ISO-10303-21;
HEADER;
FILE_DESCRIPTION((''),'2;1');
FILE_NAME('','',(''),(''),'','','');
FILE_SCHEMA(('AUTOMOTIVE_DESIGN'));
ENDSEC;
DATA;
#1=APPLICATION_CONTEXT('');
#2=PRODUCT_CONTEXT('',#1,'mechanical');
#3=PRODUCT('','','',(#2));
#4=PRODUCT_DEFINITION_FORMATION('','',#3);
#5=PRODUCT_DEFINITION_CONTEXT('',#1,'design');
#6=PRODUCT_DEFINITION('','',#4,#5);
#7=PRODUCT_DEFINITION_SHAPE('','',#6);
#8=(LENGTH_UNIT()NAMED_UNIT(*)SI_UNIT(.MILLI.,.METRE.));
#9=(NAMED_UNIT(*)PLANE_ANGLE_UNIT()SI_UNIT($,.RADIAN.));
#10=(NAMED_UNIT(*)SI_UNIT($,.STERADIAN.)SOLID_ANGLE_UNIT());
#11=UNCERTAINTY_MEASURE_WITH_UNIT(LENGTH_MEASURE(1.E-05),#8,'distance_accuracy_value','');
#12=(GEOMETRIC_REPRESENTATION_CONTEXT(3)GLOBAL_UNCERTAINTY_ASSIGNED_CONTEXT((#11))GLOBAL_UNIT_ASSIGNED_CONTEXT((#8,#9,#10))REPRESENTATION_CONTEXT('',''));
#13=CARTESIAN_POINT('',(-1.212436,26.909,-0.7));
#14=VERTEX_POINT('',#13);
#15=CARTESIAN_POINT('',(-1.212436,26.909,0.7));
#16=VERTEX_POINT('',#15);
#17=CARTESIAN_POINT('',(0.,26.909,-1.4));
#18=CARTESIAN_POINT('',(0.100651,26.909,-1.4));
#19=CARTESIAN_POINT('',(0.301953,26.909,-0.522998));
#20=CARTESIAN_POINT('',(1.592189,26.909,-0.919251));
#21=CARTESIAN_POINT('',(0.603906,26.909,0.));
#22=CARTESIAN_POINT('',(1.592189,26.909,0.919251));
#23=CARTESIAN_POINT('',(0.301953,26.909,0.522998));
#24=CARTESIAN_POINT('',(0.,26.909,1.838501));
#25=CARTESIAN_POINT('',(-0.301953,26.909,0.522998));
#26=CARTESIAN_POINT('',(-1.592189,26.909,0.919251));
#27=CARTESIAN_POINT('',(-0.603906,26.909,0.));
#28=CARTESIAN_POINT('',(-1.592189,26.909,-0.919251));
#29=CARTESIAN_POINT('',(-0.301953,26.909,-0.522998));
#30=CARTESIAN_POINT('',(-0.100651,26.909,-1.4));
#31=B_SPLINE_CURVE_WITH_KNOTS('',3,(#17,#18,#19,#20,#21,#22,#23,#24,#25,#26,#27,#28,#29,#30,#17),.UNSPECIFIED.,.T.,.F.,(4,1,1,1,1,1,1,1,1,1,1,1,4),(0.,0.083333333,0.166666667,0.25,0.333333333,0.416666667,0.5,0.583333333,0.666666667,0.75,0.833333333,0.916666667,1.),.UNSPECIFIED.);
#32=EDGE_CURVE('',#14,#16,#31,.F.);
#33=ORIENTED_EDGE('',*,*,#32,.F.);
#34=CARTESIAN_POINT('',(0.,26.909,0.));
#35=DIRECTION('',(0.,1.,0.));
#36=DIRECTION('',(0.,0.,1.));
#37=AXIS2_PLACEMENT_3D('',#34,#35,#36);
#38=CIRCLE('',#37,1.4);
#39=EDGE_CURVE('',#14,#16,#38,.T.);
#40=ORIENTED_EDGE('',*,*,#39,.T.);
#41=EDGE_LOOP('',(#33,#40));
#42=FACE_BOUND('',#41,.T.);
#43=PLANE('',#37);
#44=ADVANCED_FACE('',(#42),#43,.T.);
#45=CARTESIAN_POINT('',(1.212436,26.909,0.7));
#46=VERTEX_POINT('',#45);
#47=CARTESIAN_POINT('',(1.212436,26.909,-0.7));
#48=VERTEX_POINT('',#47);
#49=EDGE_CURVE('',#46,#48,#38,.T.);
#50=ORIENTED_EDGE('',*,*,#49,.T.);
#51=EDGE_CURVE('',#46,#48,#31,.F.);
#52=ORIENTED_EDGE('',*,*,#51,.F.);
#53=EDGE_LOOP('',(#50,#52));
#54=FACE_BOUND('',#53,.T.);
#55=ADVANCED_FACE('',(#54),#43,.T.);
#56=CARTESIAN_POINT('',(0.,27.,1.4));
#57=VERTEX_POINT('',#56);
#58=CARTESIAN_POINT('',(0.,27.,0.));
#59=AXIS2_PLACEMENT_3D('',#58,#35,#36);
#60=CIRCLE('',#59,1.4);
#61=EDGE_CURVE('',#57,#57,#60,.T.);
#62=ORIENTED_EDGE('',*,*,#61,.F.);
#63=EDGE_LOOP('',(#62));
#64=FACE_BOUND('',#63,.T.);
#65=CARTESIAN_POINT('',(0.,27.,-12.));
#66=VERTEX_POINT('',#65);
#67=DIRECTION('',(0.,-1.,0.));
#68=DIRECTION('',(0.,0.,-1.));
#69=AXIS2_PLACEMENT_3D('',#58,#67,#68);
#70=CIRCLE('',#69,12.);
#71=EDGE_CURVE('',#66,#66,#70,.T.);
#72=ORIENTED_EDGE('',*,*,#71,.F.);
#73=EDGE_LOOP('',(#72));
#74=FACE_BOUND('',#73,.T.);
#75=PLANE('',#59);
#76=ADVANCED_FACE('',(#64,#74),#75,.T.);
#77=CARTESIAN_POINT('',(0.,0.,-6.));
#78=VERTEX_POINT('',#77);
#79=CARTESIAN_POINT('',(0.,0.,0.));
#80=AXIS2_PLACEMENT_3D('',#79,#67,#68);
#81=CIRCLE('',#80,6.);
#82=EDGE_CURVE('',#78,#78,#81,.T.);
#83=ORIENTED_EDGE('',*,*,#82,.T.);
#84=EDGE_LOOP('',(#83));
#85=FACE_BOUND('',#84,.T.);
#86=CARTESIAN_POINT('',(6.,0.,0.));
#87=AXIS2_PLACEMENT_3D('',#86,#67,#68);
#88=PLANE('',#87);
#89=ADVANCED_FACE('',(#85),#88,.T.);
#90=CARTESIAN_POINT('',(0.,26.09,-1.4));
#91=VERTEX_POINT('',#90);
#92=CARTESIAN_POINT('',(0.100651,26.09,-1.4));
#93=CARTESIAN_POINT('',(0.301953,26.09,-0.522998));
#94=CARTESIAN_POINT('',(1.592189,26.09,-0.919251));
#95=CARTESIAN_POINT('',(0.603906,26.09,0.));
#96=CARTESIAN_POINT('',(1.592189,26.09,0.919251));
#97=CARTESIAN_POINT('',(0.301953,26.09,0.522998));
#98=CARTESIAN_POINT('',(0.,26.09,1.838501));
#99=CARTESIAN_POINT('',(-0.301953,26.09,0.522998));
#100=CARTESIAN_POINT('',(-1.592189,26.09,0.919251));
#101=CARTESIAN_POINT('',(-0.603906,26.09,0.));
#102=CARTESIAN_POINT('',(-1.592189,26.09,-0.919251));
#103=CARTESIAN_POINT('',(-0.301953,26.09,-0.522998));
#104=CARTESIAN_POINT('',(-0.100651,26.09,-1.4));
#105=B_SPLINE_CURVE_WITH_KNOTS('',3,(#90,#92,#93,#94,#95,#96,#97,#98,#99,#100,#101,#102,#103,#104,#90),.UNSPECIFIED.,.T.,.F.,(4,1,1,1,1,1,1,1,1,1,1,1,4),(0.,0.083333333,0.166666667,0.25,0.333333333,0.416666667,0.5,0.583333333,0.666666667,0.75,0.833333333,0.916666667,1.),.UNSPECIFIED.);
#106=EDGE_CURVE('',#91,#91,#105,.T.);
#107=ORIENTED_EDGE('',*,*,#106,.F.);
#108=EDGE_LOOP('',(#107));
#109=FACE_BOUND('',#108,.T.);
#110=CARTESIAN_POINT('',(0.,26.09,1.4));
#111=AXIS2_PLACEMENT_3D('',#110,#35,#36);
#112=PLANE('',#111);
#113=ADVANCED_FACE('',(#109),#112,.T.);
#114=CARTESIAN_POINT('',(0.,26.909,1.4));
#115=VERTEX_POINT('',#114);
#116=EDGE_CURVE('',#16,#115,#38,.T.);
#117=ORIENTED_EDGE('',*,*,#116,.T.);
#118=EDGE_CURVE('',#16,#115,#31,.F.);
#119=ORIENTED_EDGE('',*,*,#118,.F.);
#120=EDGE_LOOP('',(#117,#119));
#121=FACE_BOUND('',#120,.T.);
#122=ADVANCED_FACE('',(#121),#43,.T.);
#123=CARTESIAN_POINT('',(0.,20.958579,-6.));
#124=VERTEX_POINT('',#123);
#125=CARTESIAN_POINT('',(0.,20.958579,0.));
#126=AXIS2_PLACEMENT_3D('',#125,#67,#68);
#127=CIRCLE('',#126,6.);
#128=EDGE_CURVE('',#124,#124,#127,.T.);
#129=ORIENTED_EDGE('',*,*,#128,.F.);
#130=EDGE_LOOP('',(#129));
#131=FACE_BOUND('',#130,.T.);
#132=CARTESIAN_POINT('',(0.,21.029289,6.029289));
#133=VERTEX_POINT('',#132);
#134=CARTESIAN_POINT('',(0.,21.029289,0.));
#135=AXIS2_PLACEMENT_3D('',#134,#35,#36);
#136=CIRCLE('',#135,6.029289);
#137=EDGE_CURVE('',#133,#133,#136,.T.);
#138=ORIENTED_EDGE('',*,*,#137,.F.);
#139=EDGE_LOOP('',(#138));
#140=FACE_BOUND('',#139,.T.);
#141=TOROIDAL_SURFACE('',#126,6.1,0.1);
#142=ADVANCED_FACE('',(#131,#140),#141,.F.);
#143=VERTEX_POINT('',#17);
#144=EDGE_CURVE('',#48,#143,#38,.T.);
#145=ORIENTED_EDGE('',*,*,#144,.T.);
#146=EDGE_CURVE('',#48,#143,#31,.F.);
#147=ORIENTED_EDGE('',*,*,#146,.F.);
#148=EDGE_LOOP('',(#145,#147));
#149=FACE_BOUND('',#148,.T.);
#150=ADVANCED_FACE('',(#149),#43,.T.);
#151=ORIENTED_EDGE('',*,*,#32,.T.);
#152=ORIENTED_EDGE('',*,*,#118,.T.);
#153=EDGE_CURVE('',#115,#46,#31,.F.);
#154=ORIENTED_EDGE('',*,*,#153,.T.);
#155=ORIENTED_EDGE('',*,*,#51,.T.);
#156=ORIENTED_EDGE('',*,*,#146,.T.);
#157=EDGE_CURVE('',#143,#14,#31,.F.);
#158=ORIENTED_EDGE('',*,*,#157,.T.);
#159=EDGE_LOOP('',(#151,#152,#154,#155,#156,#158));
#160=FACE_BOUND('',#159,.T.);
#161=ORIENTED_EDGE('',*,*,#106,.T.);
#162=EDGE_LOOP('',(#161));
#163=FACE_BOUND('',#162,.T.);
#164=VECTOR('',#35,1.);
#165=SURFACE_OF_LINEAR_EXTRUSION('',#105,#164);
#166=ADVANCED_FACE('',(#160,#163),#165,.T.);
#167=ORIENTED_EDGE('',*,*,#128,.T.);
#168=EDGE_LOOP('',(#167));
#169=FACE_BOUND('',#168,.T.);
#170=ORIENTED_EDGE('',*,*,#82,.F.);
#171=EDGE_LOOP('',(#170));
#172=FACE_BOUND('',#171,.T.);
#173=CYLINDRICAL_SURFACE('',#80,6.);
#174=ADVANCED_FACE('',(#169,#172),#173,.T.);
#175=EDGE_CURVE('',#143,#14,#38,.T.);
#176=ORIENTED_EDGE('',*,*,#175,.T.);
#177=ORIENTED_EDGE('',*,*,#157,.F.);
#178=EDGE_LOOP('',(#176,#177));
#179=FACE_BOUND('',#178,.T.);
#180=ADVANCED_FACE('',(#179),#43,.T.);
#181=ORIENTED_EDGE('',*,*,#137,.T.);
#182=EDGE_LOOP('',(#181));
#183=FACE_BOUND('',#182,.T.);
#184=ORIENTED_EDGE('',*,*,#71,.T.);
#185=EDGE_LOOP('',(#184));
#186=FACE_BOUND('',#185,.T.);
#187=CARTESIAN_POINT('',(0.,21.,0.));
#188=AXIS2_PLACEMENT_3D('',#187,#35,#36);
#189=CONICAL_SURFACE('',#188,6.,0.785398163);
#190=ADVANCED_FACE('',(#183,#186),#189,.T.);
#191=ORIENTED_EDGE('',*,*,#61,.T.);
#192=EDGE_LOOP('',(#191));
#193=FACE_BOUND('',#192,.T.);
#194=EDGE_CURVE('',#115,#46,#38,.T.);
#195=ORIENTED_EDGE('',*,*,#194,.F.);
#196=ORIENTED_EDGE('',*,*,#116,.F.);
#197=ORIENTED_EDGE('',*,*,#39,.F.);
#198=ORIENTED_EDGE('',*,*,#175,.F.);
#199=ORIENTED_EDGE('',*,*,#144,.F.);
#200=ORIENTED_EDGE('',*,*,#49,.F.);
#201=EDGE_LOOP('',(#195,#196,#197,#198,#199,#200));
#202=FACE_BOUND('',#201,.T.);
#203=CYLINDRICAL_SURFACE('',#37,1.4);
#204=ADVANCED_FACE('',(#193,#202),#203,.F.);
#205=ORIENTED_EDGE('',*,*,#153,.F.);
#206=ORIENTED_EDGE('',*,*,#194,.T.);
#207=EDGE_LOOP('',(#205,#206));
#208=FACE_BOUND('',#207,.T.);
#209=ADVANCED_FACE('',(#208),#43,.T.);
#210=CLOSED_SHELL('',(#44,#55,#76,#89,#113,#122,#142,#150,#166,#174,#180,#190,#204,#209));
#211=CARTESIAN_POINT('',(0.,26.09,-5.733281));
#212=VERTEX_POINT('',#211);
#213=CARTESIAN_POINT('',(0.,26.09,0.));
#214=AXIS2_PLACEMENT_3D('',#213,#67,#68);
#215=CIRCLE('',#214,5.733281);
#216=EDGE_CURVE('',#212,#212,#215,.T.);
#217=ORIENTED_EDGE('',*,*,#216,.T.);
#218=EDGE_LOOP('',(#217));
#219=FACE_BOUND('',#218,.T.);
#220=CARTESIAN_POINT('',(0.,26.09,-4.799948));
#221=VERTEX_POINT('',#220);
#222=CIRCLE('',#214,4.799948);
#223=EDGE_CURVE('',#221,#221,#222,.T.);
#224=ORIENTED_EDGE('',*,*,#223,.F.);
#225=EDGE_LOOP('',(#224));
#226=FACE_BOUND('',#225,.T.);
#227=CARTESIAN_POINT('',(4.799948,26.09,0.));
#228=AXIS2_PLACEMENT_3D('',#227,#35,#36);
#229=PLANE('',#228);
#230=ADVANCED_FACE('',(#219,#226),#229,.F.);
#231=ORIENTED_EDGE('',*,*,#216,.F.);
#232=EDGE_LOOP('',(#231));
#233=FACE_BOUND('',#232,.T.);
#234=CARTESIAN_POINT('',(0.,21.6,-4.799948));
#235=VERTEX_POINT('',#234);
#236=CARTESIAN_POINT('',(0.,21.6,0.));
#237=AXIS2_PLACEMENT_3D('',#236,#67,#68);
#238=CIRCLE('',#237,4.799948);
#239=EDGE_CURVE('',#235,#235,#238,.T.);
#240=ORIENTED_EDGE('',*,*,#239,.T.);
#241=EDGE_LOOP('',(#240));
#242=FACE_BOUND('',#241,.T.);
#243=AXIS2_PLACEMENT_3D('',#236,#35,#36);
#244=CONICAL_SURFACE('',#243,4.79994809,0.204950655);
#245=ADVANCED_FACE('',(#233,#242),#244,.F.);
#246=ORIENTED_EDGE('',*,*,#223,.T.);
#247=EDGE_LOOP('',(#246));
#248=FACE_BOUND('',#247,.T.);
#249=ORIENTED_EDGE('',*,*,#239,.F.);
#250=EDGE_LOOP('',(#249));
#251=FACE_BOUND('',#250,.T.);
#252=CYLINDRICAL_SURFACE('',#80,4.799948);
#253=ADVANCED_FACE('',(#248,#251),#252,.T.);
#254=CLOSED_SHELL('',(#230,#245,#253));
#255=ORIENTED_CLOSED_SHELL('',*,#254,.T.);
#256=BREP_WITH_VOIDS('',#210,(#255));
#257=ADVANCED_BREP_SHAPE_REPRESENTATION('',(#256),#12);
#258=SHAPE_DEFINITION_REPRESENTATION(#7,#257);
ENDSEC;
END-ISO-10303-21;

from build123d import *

# Parameters (mm, degrees)
RECESS_CUT_EXTRUDE1_DEPTH = 0.91
SKETCH3_R                 = 1.4
RECESS_CUT_EXTRUDE2_DEPTH = 0.091
FILLET1_R                 = 0.1


with BuildPart() as part:
    # Sketch1 → Body-Revolve (revolve)
    with BuildSketch(Plane.XY, mode=Mode.PRIVATE) as body_revolve_sk:
        Polygon((0, 27), (12, 27), (6, 21), (6, 0), (0, 0), align=None)
    revolve(body_revolve_sk.sketch.rotate(Axis((0, 0, 0), (0, 1, 0)), 90), axis=Axis((0, 0, 0), (0, 1, 0)))

    # Sketch2 → Recess-Cut-Extrude1 (cut)
    with BuildSketch(Plane(origin=(0, 27, 0), x_dir=(-1, 0, 0), z_dir=(0, 1, 0))):
        with BuildLine():
            add(Edge.make_bspline(
                [(0, -1.4), (-0.100650939, -1.4), (-0.301952816, -0.522997619), (-1.592188736, -0.919250595), (-0.603905632, 0), (-1.592188736, 0.919250595), (-0.301952816, 0.522997619), (0, 1.838501191), (0.301952816, 0.522997619), (1.592188736, 0.919250595), (0.603905632, 0), (1.592188736, -0.919250595), (0.301952816, -0.522997619), (0.100650939, -1.4), (0, -1.4)],
                knots=[0, 0, 0, 0, 0.083333333, 0.166666667, 0.25, 0.333333333, 0.416666667, 0.5, 0.583333333, 0.666666667, 0.75, 0.833333333, 0.916666667, 1, 1, 1, 1], degree=3))
        make_face()
    extrude(amount=-RECESS_CUT_EXTRUDE1_DEPTH, mode=Mode.SUBTRACT)

    # Sketch3 → Recess-Cut-Extrude2 (cut)
    with BuildSketch(Plane(origin=(0, 27, 0), x_dir=(-1, 0, 0), z_dir=(0, 1, 0))):
        with Locations(Location((0, 0, 0), (0, 0, 90))):
            Circle(SKETCH3_R)
    extrude(amount=-RECESS_CUT_EXTRUDE2_DEPTH, mode=Mode.SUBTRACT)

    # Sketch4 → Drill-Cut-Revolve (revolve, cut)
    with BuildSketch(Plane(origin=(4.79994809, 0, 0), x_dir=(1, 0, 0), z_dir=(0, 0, 1)), mode=Mode.PRIVATE) as drill_cut_revolve_sk:
        Polygon((0, 26.09), (0.933333333, 26.09), (0, 21.6), align=None)
    revolve(drill_cut_revolve_sk.sketch.rotate(Axis((0, 0, 0), (0, 1, 0)), 90), axis=Axis((0, 0, 0), (0, 1, 0)), mode=Mode.SUBTRACT)

    # Fillet1
    fillet1_edges = [part.edges().sort_by_distance(p)[0] for p in [
        (0, 21, 6),
    ]]
    fillet(fillet1_edges, radius=FILLET1_R)


solid = part.part
